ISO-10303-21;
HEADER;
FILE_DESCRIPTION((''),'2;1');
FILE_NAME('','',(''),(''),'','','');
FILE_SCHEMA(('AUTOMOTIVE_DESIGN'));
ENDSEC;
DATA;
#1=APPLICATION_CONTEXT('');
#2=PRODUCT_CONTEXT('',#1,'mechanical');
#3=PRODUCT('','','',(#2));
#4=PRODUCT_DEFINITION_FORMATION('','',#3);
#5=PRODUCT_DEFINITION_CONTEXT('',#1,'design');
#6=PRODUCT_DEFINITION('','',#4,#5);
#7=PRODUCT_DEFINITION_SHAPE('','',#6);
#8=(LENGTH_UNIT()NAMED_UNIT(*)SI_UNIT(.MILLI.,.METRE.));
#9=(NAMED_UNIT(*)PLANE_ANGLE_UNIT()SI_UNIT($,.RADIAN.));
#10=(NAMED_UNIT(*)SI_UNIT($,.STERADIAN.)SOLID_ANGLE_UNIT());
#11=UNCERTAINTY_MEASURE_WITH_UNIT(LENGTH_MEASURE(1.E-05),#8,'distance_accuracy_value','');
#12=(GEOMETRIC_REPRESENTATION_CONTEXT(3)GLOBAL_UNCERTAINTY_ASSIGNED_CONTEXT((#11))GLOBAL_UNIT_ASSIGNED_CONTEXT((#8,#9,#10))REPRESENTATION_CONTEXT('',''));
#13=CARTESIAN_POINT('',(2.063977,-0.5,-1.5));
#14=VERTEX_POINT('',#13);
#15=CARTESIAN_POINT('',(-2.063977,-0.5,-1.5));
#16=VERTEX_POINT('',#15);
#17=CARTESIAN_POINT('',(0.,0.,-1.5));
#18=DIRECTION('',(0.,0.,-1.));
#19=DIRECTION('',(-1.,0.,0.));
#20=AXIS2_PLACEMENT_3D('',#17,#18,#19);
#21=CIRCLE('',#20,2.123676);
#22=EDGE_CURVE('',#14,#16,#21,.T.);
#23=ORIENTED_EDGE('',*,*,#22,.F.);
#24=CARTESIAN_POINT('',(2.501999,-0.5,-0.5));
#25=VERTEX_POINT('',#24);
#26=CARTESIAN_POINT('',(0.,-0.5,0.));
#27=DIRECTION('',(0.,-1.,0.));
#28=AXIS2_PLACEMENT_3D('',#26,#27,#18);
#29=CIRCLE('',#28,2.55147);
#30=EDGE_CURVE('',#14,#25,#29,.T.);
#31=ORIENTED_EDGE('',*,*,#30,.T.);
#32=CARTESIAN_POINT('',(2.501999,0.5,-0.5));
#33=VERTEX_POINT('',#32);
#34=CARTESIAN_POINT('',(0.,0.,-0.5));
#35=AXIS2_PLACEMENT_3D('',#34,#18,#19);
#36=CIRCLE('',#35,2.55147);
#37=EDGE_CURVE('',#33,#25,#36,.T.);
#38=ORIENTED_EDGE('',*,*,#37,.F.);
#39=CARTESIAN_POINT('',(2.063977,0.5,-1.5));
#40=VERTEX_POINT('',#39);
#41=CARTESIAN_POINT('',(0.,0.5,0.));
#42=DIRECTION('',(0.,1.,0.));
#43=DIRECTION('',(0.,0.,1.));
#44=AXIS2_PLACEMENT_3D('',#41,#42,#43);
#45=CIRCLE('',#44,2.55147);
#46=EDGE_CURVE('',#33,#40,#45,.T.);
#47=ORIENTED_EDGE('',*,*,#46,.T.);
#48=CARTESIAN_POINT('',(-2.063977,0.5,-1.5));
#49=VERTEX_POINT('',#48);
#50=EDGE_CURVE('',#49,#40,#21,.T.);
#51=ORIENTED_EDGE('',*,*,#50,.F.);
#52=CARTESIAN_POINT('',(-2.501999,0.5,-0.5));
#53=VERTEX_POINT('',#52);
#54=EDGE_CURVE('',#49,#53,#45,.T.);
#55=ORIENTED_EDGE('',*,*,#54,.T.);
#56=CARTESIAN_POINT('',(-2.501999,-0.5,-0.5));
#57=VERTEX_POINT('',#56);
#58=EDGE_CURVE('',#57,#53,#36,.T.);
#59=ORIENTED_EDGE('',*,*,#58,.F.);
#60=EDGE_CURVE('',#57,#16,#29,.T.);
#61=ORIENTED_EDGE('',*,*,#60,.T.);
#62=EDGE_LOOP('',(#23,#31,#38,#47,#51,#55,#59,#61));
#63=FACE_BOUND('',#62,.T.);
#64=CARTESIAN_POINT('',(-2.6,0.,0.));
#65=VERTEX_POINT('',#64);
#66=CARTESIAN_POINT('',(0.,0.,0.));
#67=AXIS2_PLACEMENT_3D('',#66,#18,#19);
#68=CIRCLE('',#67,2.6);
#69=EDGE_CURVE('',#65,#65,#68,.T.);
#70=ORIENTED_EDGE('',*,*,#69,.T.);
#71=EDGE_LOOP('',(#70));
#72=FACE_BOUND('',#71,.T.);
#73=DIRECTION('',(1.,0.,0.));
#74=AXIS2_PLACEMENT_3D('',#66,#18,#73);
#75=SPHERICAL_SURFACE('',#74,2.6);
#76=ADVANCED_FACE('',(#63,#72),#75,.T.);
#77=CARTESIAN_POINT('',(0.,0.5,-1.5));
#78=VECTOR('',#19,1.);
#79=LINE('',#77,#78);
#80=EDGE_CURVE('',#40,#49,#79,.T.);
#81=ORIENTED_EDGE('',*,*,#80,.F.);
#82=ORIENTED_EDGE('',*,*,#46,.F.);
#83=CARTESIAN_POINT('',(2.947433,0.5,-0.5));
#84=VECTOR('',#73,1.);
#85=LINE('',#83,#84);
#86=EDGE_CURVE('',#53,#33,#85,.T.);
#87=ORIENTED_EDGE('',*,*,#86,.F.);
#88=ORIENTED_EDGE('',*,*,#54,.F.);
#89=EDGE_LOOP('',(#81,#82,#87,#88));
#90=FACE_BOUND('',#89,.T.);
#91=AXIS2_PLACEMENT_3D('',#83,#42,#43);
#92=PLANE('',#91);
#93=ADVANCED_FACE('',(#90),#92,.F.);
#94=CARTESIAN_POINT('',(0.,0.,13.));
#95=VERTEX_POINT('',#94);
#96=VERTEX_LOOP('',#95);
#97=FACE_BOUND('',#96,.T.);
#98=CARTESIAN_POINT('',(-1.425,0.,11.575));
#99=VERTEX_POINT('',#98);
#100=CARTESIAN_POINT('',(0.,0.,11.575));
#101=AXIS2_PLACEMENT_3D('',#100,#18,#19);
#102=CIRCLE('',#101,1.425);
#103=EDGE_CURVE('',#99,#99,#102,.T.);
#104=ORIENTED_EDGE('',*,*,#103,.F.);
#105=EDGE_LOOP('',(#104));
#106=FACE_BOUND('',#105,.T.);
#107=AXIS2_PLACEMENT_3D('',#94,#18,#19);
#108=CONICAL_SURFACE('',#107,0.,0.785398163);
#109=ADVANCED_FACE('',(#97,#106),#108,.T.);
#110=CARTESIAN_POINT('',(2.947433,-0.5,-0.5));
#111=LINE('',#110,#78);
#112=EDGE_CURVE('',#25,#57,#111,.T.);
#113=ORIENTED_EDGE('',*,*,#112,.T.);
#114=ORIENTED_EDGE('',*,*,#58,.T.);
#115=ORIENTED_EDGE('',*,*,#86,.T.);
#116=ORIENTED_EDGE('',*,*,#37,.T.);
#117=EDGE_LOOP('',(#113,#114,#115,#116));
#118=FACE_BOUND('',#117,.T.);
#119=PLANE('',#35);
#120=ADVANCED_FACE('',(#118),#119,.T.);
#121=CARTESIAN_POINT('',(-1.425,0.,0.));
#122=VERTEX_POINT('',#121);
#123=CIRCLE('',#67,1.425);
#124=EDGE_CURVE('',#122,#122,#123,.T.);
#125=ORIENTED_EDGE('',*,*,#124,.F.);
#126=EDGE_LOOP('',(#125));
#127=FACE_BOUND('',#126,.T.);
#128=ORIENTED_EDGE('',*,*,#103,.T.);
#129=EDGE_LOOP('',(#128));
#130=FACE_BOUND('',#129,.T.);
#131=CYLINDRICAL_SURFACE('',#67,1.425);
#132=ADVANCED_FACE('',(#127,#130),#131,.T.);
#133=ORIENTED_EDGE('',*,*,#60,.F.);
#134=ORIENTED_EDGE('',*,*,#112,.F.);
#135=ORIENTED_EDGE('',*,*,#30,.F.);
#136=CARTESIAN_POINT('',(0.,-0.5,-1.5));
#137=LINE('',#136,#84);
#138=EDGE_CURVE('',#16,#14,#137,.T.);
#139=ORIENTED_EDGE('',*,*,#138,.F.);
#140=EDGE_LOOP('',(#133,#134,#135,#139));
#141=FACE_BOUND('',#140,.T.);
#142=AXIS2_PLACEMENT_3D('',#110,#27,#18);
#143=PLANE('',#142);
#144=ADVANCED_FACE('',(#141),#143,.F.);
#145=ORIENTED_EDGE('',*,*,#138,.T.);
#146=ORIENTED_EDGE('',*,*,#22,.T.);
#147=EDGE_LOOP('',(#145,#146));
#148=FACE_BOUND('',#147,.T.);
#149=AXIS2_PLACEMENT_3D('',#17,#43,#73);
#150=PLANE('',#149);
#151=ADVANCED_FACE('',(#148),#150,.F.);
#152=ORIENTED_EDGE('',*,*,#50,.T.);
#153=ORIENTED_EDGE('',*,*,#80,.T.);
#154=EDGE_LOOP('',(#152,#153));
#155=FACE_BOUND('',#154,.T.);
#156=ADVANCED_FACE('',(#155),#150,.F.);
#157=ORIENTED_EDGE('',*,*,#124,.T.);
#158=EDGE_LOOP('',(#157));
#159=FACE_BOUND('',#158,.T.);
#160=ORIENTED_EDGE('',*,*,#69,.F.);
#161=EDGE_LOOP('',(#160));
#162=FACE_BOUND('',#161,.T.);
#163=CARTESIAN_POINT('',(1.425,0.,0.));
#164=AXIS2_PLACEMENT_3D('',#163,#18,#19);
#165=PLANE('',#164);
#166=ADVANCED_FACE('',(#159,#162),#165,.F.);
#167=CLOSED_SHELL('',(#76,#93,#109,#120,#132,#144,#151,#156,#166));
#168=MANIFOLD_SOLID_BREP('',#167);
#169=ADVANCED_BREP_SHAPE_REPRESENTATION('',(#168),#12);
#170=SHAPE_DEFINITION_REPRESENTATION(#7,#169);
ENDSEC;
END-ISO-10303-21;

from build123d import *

# Parameters (mm, degrees)
ESBO_O2_W             = 5.89486681
ESBO_O2_H             = 1
CORTE_EXTRUS_O1_DEPTH = 1


with BuildPart() as part:
    # Esboço1 → Revolução1 (revolve)
    with BuildSketch(Plane(origin=(0, 0, 0), x_dir=(1, 0, 0), z_dir=(0, 1, 0))):
        with BuildLine():
            Line((0, 0), (0, 1.5))
            Line((0, 1.5), (2.123676058, 1.5))
            ThreePointArc((2.123676058, 1.5), (2.478059498, 0.786906045), (2.6, 0))
            Line((2.6, 0), (1.425, 0))
            Line((1.425, 0), (1.425, -11.575))
            Line((1.425, -11.575), (0, -13))
            Line((0, -13), (0, 0))
        make_face()
    revolve(axis=Axis((0, 0, 0), (0, 0, 1)))

    # Esboço2 → Corte-extrusão1 (cut)
    with BuildSketch(Plane(origin=(0, 0, -1.5), x_dir=(-1, 0, 0), z_dir=(0, 0, -1))):
        Rectangle(ESBO_O2_W, ESBO_O2_H)
    extrude(amount=-CORTE_EXTRUS_O1_DEPTH, mode=Mode.SUBTRACT)


solid = part.part
